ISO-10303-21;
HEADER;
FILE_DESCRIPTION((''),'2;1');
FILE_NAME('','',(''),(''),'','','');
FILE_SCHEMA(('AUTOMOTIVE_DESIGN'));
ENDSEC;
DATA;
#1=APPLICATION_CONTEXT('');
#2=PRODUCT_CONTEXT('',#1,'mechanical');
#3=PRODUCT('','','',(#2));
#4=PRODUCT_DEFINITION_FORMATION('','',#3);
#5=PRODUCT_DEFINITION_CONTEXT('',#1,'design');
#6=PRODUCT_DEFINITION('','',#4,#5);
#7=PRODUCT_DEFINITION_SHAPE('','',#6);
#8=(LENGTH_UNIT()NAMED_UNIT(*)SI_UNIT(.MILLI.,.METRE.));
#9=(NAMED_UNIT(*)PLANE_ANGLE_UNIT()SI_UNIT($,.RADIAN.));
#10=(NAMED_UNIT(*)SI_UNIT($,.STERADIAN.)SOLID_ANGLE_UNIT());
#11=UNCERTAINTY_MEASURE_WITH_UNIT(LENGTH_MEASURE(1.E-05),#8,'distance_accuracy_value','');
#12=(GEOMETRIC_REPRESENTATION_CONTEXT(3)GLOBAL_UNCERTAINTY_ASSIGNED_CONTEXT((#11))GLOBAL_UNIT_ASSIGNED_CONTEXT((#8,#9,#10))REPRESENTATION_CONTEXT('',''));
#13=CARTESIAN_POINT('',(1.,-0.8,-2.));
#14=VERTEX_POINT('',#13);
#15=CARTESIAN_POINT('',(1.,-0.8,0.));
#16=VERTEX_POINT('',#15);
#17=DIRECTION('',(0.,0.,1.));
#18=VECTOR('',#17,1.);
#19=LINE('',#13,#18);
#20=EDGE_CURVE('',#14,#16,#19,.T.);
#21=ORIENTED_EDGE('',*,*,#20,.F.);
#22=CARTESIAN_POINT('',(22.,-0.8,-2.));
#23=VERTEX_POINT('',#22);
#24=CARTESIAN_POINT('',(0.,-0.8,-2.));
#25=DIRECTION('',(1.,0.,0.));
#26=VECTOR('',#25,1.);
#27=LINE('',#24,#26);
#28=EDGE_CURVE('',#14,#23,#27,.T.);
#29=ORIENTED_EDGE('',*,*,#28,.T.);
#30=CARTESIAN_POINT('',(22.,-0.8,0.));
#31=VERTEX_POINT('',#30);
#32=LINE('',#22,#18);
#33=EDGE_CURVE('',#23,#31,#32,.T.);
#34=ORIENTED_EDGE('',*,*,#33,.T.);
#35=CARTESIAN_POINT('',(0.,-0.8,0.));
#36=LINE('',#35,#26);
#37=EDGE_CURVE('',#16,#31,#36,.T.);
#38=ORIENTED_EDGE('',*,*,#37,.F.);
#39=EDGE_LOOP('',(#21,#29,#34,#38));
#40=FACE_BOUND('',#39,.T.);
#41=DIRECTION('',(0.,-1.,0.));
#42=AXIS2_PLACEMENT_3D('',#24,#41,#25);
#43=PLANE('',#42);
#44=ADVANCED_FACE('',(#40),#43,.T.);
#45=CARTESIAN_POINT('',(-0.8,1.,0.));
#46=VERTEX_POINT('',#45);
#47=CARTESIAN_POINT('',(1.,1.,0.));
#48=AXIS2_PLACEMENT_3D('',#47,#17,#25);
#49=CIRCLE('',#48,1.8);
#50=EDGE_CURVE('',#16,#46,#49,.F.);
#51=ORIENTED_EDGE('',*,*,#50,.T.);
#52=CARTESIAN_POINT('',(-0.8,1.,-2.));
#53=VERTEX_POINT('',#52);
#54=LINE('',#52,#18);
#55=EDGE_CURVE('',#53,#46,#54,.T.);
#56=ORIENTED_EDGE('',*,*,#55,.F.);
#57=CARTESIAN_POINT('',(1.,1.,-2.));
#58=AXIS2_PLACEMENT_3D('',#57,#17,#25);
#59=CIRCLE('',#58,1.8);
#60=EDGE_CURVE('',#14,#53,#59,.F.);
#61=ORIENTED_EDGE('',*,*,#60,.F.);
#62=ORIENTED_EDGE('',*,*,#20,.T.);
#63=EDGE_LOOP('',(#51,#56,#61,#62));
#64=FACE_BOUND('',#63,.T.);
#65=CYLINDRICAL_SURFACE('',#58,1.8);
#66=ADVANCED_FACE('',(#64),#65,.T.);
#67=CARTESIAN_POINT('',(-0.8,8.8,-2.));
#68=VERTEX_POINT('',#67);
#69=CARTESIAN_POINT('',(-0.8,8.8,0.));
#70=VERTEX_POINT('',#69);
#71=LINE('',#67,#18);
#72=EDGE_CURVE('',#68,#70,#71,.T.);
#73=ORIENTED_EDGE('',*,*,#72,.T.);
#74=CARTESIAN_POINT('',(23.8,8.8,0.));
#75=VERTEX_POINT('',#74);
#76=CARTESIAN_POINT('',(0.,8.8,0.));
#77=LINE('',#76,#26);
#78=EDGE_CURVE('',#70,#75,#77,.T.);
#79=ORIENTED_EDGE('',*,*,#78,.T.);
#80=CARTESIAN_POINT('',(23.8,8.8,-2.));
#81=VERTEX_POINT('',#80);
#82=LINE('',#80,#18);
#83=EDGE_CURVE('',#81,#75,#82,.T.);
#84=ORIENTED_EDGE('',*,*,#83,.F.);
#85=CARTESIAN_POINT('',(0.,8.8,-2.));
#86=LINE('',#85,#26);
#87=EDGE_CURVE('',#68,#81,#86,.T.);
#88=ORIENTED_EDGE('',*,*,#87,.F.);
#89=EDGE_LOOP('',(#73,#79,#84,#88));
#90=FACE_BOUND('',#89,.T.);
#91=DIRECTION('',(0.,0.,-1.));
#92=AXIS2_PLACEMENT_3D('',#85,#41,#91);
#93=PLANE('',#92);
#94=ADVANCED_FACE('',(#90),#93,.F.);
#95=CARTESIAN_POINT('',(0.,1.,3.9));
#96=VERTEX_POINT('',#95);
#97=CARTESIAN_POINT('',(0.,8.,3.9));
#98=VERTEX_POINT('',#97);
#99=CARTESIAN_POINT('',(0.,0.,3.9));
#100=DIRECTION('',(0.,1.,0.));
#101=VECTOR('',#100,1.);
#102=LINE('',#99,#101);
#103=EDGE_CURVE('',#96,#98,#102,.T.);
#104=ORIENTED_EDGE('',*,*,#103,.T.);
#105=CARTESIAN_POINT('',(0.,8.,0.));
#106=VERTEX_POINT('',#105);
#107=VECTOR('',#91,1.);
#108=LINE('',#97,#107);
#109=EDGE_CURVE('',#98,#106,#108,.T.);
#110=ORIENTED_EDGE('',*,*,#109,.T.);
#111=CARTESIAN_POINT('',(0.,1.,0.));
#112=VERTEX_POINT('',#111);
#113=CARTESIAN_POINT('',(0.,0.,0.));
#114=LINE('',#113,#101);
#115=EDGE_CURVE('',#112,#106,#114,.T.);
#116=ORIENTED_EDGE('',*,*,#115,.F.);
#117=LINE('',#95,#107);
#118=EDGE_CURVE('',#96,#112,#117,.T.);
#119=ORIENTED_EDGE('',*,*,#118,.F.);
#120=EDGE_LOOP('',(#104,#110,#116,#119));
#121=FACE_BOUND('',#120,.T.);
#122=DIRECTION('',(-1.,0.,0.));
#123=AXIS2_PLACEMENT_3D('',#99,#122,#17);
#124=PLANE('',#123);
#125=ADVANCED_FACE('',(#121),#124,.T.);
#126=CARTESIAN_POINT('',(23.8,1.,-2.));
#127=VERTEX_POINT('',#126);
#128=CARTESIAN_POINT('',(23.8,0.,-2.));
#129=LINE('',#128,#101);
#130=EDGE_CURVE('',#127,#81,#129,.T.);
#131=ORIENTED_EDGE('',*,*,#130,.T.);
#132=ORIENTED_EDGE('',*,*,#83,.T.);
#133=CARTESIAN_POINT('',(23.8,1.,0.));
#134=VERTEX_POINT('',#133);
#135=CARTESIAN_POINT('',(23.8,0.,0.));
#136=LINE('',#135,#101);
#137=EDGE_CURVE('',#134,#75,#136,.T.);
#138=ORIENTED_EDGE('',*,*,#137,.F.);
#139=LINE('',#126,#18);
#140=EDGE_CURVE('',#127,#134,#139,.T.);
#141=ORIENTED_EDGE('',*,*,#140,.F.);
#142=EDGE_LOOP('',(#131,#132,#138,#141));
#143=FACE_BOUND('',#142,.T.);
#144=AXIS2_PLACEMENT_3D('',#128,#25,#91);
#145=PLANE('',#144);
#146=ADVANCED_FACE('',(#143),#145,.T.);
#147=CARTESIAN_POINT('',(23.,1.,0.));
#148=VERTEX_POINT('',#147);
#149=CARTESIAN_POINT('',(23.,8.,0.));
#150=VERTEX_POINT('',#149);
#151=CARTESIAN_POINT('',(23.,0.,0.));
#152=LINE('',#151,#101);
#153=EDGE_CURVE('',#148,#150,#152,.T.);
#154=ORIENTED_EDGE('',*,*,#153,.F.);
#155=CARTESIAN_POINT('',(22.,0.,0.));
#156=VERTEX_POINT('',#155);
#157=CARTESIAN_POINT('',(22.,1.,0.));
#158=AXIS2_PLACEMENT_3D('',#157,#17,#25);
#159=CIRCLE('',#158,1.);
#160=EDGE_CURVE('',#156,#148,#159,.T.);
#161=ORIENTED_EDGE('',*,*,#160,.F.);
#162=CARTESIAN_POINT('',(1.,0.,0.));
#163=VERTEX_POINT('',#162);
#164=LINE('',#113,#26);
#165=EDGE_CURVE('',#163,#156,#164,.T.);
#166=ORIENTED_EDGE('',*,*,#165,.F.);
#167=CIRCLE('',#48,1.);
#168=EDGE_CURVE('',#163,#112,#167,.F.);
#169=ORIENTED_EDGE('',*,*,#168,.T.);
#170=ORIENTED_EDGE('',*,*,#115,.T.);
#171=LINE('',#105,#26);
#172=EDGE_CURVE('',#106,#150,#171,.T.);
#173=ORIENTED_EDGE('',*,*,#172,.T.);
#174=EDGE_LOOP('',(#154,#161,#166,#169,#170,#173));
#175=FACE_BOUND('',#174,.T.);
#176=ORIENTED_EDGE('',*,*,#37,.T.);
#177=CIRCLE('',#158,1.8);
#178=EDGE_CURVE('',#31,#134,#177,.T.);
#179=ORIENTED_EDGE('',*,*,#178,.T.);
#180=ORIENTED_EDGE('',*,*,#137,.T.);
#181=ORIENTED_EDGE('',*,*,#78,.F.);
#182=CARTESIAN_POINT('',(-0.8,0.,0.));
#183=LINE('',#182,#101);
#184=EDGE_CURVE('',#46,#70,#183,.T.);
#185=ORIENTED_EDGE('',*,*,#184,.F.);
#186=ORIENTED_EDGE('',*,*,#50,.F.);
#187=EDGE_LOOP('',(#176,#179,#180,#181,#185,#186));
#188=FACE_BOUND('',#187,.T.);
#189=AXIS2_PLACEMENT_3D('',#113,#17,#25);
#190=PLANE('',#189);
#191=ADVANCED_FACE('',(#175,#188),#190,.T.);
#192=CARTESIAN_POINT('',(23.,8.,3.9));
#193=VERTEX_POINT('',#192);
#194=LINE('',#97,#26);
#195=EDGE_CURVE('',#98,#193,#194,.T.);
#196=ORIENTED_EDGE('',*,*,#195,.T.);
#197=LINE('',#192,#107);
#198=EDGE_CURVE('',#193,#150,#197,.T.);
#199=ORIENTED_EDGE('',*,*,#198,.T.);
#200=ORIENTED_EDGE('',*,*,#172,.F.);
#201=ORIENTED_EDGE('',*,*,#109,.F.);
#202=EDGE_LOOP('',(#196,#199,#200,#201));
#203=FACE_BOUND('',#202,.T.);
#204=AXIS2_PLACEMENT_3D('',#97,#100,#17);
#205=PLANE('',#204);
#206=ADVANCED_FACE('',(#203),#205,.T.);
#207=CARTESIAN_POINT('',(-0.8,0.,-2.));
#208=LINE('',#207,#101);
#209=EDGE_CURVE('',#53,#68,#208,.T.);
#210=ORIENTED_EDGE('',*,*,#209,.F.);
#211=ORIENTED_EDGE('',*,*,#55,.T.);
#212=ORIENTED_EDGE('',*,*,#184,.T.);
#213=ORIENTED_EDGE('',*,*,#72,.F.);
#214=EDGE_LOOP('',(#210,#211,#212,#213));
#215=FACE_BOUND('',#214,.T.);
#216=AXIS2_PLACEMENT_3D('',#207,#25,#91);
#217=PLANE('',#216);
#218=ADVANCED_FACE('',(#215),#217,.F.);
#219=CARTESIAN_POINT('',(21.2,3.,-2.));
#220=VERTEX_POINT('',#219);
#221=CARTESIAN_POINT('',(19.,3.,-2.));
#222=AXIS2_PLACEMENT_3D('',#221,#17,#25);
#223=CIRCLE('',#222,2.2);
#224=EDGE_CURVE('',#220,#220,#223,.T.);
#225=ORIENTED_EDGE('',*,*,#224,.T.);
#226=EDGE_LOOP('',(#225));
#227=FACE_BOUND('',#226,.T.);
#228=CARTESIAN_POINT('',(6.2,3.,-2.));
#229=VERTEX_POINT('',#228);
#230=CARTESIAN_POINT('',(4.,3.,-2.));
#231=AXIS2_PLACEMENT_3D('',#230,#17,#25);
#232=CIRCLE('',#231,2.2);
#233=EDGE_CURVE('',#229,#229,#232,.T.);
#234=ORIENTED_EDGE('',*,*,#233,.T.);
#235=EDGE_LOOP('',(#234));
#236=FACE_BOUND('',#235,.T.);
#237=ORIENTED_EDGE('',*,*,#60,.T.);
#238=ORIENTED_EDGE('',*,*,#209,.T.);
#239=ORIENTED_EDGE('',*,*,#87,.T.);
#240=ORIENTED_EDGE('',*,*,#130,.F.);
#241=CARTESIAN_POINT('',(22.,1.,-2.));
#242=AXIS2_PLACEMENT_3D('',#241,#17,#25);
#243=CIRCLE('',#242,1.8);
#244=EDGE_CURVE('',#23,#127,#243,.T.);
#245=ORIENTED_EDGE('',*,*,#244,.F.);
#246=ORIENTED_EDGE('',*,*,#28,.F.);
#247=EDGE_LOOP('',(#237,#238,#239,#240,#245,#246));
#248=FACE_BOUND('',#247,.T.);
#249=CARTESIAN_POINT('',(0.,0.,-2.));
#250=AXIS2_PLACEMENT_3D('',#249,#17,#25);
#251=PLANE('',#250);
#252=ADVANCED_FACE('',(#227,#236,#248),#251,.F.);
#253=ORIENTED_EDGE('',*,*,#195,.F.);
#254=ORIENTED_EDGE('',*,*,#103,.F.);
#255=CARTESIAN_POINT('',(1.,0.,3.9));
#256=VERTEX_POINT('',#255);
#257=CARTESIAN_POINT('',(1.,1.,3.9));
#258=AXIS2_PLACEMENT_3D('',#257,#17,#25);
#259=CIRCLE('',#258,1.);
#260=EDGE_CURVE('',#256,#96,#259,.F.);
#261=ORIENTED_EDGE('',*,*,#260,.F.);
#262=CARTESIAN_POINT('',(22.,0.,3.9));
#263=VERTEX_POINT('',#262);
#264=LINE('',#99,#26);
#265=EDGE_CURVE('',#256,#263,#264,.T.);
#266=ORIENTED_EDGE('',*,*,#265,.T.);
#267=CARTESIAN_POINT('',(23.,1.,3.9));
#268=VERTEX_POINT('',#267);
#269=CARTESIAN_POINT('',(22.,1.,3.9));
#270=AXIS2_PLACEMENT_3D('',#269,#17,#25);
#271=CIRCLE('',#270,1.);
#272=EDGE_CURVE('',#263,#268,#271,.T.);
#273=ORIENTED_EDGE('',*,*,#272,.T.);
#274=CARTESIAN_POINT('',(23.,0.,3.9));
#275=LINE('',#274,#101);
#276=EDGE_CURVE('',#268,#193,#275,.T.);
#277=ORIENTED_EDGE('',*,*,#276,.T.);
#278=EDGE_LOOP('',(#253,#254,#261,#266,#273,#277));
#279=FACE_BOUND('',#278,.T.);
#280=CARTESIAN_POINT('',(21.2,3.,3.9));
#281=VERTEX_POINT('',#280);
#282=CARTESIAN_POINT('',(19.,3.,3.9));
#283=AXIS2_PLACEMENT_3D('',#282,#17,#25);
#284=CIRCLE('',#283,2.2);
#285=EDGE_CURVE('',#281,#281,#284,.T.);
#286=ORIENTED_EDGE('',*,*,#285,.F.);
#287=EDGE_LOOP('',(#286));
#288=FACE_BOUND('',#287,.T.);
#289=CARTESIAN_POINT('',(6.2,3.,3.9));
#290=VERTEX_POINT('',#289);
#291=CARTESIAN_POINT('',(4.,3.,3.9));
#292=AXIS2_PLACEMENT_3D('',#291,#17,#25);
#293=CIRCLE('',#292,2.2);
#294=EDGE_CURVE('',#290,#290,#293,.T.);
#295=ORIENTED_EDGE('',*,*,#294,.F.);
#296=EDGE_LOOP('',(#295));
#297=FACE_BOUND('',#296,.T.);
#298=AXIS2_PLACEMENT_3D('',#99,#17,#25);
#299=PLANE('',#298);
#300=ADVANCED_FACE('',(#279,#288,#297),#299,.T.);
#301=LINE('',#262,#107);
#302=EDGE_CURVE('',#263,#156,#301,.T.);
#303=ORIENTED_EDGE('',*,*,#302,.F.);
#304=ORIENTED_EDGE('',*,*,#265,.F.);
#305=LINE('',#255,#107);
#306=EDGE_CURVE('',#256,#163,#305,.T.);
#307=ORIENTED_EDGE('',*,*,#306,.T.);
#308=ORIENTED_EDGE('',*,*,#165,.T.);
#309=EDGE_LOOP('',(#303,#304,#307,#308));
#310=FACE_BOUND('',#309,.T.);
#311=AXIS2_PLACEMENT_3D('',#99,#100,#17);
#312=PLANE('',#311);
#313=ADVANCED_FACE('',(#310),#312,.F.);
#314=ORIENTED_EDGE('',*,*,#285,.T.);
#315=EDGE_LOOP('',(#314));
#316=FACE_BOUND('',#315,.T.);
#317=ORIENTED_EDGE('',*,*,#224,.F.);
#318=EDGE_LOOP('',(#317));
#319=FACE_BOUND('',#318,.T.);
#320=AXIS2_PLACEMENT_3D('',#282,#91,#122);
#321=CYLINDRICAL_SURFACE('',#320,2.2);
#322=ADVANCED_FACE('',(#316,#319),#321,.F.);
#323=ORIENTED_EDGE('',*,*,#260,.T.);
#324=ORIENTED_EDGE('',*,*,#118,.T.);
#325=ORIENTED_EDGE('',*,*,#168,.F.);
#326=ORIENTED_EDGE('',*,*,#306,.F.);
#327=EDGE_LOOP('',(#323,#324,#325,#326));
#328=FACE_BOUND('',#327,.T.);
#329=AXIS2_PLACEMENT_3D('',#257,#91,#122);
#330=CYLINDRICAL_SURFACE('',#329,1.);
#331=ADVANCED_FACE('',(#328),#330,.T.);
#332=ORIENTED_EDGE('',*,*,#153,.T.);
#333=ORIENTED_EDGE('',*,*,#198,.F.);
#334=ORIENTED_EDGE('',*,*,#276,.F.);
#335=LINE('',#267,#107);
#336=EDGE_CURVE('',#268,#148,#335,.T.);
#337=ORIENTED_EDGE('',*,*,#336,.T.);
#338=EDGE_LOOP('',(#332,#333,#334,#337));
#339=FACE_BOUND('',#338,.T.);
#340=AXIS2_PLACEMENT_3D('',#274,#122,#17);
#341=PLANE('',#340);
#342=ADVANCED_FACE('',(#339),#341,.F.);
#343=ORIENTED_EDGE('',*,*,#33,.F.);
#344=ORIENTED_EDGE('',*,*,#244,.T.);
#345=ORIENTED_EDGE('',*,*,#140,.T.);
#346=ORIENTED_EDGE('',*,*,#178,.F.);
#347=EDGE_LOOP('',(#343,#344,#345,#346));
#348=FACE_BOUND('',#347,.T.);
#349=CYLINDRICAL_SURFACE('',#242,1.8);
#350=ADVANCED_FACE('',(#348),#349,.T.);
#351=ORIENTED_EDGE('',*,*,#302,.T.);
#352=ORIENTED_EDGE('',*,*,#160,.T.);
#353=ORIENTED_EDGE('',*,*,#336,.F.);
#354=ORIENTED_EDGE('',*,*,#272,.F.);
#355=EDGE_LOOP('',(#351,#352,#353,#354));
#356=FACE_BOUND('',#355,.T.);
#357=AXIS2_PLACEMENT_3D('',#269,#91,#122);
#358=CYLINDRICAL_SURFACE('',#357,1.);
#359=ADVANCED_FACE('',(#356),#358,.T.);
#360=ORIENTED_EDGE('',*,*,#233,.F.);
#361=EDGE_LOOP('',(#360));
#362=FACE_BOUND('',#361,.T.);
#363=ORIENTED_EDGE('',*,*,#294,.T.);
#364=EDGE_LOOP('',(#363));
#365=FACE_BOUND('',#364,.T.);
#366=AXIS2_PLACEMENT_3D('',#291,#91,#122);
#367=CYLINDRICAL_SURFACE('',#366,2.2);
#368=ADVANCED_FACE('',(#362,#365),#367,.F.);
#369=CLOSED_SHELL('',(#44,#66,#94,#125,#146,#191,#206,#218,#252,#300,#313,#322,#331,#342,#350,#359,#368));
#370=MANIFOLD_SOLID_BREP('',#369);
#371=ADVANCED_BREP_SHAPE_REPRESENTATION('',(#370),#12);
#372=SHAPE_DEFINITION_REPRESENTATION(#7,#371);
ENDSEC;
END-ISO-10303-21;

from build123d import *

# Parameters (mm, degrees)
SKETCH1_R           = 2.2
BOSS_EXTRUDE1_DEPTH = 3.9
BOSS_EXTRUDE2_START = -2
SKETCH1_4_R         = 2.2
BOSS_EXTRUDE2_DEPTH = 2


with BuildPart() as part:
    # Sketch1 → Boss-Extrude1 (new body)
    with BuildSketch(Plane.XY):
        with BuildLine():
            Line((1, 0), (22, 0))
            ThreePointArc((22, 0), (22.707106781, 0.292893219), (23, 1))
            Line((23, 1), (23, 8))
            Line((23, 8), (0, 8))
            Line((0, 8), (0, 1))
            ThreePointArc((0, 1), (0.292893219, 0.292893219), (1, 0))
        make_face()
        with Locations((19, 3)):
            Circle(SKETCH1_R, mode=Mode.SUBTRACT)
        with Locations((4, 3)):
            Circle(SKETCH1_R, mode=Mode.SUBTRACT)
    extrude(amount=BOSS_EXTRUDE1_DEPTH)

    # Sketch1<4> → Boss-Extrude2 (add)
    with BuildSketch(Plane.XY.offset(BOSS_EXTRUDE2_START)):
        with BuildLine():
            Line((-0.8, 8.8), (-0.8, 1))
            ThreePointArc((-0.8, 1), (-0.272792206, -0.272792206), (1, -0.8))
            Line((1, -0.8), (22, -0.8))
            ThreePointArc((22, -0.8), (23.272792206, -0.272792206), (23.8, 1))
            Line((23.8, 1), (23.8, 8.8))
            Line((23.8, 8.8), (-0.8, 8.8))
        make_face()
        with Locations((4, 3)):
            Circle(SKETCH1_4_R, mode=Mode.SUBTRACT)
        with Locations((19, 3)):
            Circle(SKETCH1_4_R, mode=Mode.SUBTRACT)
    extrude(amount=BOSS_EXTRUDE2_DEPTH)


solid = part.part
